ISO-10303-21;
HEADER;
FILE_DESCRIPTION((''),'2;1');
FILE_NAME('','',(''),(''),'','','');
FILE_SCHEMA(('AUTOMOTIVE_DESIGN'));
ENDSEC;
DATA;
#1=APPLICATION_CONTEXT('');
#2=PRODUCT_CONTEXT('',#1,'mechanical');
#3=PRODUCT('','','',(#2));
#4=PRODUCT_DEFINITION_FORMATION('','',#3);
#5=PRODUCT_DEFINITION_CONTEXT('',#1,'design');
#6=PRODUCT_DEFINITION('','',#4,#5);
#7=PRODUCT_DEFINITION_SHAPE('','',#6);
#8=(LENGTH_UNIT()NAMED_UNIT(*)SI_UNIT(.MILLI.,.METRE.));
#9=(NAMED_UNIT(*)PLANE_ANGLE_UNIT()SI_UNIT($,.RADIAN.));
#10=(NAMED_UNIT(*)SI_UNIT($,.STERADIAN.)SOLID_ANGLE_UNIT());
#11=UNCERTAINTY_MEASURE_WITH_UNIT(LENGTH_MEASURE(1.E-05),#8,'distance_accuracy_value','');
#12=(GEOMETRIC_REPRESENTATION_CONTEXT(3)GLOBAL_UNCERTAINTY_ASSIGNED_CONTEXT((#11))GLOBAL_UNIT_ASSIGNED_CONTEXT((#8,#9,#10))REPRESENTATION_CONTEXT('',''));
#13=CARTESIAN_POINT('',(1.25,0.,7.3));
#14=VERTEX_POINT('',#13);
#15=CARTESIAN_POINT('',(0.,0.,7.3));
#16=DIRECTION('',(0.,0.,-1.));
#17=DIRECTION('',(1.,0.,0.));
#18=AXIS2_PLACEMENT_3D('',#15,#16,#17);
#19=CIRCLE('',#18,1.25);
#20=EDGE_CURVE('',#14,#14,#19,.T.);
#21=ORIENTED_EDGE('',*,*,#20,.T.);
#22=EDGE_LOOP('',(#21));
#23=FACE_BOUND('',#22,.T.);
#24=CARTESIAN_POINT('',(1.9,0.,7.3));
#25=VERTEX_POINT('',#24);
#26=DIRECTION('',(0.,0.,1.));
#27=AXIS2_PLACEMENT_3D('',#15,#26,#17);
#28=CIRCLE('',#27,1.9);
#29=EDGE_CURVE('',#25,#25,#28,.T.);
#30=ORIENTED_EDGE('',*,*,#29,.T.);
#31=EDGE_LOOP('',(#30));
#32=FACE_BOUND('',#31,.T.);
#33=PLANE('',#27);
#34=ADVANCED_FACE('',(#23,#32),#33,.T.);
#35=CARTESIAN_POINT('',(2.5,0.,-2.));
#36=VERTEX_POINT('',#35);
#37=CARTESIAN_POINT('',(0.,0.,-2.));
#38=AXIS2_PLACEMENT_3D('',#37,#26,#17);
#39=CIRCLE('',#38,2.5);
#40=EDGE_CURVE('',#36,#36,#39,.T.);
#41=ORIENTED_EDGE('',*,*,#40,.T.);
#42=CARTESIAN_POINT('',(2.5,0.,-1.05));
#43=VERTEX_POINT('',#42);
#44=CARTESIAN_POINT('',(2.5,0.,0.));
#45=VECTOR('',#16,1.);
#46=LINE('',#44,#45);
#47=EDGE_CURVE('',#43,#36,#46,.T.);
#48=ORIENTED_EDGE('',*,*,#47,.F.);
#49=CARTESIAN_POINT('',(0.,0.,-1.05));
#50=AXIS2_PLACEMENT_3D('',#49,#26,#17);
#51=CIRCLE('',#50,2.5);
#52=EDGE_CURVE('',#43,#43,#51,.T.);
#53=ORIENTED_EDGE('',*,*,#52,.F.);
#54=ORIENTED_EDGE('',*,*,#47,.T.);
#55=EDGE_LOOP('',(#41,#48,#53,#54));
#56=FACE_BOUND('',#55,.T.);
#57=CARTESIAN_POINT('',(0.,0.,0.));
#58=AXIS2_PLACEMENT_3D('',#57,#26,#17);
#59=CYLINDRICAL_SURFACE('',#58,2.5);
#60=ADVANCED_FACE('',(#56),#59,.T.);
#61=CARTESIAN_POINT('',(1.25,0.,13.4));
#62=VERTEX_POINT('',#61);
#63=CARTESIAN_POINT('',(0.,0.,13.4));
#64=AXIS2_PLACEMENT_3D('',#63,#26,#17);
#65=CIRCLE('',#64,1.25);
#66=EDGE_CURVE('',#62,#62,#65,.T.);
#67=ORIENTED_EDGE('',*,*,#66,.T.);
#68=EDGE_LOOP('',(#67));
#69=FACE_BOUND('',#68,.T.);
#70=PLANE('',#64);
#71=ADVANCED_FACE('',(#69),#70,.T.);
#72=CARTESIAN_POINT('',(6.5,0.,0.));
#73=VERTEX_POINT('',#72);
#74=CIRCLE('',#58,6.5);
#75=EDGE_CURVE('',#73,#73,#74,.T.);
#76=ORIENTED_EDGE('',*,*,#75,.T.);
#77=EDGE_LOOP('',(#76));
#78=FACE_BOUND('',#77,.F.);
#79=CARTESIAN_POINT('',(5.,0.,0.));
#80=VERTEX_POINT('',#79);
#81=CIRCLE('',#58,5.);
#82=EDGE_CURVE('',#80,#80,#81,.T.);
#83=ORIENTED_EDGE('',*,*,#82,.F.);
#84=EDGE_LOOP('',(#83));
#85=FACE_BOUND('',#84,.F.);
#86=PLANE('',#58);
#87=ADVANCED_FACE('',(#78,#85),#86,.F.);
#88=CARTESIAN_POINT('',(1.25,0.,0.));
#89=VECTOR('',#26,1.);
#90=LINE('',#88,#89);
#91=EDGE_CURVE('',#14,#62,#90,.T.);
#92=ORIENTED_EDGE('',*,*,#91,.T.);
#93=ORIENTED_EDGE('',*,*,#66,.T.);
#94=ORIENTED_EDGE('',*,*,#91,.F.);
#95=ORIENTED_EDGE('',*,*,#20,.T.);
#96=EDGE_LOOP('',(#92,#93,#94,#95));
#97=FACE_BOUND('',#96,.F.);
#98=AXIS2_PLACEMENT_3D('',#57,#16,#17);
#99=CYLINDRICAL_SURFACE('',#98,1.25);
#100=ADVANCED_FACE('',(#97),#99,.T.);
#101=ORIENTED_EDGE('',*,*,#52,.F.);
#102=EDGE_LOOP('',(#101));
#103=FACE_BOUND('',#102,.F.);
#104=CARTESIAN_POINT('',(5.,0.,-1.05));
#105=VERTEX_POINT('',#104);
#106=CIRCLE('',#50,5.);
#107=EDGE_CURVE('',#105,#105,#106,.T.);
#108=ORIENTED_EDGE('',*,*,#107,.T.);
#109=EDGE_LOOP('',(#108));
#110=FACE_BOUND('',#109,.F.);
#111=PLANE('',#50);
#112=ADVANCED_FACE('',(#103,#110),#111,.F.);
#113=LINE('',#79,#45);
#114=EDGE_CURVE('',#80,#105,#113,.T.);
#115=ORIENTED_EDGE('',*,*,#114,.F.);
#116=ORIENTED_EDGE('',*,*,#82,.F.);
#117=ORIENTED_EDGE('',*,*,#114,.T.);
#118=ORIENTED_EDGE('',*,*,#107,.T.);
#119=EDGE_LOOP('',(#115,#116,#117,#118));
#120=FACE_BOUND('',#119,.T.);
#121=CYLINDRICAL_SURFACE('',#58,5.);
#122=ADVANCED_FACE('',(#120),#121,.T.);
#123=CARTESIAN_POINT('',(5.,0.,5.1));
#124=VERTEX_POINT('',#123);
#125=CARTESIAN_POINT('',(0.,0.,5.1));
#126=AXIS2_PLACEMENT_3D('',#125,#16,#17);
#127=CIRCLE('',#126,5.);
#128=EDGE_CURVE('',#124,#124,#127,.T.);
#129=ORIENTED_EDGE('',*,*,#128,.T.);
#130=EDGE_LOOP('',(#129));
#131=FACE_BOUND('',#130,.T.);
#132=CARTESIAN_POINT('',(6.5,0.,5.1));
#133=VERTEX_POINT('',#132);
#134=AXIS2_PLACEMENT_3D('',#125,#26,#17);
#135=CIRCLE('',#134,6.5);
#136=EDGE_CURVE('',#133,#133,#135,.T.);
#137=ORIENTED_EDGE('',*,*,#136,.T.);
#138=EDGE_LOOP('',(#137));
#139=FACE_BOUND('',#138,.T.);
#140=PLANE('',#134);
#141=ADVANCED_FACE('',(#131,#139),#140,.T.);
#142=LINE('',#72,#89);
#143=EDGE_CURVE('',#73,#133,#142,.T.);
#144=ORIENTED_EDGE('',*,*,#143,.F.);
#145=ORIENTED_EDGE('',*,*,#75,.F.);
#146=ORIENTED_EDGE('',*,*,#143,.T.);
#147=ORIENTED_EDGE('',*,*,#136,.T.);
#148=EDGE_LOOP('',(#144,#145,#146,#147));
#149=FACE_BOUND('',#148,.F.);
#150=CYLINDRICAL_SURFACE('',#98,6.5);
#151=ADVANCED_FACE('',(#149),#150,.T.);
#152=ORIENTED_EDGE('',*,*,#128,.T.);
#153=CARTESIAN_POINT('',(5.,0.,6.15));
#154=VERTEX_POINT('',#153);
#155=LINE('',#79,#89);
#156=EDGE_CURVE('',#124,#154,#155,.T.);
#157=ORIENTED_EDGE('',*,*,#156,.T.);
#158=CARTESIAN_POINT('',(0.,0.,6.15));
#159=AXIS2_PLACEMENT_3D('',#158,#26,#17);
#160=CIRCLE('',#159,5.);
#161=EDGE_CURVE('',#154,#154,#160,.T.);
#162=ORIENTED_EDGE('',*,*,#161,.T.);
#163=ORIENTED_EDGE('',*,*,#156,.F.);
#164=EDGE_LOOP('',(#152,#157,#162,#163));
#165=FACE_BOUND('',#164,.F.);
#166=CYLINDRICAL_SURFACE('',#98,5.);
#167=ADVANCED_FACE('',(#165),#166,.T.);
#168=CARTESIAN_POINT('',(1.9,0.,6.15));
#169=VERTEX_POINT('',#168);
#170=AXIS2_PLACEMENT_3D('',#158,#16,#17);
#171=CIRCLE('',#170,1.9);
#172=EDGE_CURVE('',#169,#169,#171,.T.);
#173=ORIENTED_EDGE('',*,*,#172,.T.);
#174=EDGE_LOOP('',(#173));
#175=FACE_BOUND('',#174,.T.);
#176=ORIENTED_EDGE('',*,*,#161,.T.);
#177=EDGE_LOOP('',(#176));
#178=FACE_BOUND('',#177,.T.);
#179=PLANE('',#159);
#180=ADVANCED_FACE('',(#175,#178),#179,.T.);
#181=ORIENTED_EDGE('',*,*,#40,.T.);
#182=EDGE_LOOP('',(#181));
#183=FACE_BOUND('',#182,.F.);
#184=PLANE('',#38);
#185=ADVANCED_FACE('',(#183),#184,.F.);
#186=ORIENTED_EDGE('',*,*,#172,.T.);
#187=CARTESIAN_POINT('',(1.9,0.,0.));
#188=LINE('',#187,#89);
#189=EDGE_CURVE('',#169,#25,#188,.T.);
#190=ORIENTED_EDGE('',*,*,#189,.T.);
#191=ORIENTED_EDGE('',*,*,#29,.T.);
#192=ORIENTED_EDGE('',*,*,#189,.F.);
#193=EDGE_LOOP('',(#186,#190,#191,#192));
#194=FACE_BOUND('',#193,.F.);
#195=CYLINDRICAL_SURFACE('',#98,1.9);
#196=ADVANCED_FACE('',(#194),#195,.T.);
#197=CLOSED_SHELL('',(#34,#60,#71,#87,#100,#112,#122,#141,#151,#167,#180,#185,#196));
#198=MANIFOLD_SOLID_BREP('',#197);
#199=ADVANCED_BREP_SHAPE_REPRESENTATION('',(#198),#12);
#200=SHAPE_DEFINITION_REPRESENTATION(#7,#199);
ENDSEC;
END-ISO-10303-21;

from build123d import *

# Parameters (mm, degrees)
F0_R          = 6.5
F1_DEPTH      = 5.1
F2_R          = 5
F3_DEPTH      = 6.15
F3_DEPTH_BACK = 1.05
F4_R          = 1.9
F5_DEPTH      = 7.3
F6_R          = 2.5
F7_DEPTH      = 2
F8_R          = 1.25
F9_DEPTH      = 13.4


with BuildPart() as f1:
    # F0 (on Top) → F1 (new body)
    with BuildSketch(Plane.XY):
        Circle(F0_R)
    extrude(amount=F1_DEPTH)

    # F2 (on Top) → F3 (join, two sides)
    with BuildSketch(Plane.XY) as f3_sk:
        Circle(F2_R)
    extrude(amount=F3_DEPTH)
    extrude(f3_sk.sketch, amount=-F3_DEPTH_BACK)

    # F4 (on Top) → F5 (join)
    with BuildSketch(Plane.XY):
        Circle(F4_R)
    extrude(amount=F5_DEPTH)

    # F6 (on Top) → F7 (join)
    with BuildSketch(Plane.XY):
        Circle(F6_R)
    extrude(amount=-F7_DEPTH)

    # F8 (on Top) → F9 (join)
    with BuildSketch(Plane.XY):
        Circle(F8_R)
    extrude(amount=F9_DEPTH)


solid = f1.part
